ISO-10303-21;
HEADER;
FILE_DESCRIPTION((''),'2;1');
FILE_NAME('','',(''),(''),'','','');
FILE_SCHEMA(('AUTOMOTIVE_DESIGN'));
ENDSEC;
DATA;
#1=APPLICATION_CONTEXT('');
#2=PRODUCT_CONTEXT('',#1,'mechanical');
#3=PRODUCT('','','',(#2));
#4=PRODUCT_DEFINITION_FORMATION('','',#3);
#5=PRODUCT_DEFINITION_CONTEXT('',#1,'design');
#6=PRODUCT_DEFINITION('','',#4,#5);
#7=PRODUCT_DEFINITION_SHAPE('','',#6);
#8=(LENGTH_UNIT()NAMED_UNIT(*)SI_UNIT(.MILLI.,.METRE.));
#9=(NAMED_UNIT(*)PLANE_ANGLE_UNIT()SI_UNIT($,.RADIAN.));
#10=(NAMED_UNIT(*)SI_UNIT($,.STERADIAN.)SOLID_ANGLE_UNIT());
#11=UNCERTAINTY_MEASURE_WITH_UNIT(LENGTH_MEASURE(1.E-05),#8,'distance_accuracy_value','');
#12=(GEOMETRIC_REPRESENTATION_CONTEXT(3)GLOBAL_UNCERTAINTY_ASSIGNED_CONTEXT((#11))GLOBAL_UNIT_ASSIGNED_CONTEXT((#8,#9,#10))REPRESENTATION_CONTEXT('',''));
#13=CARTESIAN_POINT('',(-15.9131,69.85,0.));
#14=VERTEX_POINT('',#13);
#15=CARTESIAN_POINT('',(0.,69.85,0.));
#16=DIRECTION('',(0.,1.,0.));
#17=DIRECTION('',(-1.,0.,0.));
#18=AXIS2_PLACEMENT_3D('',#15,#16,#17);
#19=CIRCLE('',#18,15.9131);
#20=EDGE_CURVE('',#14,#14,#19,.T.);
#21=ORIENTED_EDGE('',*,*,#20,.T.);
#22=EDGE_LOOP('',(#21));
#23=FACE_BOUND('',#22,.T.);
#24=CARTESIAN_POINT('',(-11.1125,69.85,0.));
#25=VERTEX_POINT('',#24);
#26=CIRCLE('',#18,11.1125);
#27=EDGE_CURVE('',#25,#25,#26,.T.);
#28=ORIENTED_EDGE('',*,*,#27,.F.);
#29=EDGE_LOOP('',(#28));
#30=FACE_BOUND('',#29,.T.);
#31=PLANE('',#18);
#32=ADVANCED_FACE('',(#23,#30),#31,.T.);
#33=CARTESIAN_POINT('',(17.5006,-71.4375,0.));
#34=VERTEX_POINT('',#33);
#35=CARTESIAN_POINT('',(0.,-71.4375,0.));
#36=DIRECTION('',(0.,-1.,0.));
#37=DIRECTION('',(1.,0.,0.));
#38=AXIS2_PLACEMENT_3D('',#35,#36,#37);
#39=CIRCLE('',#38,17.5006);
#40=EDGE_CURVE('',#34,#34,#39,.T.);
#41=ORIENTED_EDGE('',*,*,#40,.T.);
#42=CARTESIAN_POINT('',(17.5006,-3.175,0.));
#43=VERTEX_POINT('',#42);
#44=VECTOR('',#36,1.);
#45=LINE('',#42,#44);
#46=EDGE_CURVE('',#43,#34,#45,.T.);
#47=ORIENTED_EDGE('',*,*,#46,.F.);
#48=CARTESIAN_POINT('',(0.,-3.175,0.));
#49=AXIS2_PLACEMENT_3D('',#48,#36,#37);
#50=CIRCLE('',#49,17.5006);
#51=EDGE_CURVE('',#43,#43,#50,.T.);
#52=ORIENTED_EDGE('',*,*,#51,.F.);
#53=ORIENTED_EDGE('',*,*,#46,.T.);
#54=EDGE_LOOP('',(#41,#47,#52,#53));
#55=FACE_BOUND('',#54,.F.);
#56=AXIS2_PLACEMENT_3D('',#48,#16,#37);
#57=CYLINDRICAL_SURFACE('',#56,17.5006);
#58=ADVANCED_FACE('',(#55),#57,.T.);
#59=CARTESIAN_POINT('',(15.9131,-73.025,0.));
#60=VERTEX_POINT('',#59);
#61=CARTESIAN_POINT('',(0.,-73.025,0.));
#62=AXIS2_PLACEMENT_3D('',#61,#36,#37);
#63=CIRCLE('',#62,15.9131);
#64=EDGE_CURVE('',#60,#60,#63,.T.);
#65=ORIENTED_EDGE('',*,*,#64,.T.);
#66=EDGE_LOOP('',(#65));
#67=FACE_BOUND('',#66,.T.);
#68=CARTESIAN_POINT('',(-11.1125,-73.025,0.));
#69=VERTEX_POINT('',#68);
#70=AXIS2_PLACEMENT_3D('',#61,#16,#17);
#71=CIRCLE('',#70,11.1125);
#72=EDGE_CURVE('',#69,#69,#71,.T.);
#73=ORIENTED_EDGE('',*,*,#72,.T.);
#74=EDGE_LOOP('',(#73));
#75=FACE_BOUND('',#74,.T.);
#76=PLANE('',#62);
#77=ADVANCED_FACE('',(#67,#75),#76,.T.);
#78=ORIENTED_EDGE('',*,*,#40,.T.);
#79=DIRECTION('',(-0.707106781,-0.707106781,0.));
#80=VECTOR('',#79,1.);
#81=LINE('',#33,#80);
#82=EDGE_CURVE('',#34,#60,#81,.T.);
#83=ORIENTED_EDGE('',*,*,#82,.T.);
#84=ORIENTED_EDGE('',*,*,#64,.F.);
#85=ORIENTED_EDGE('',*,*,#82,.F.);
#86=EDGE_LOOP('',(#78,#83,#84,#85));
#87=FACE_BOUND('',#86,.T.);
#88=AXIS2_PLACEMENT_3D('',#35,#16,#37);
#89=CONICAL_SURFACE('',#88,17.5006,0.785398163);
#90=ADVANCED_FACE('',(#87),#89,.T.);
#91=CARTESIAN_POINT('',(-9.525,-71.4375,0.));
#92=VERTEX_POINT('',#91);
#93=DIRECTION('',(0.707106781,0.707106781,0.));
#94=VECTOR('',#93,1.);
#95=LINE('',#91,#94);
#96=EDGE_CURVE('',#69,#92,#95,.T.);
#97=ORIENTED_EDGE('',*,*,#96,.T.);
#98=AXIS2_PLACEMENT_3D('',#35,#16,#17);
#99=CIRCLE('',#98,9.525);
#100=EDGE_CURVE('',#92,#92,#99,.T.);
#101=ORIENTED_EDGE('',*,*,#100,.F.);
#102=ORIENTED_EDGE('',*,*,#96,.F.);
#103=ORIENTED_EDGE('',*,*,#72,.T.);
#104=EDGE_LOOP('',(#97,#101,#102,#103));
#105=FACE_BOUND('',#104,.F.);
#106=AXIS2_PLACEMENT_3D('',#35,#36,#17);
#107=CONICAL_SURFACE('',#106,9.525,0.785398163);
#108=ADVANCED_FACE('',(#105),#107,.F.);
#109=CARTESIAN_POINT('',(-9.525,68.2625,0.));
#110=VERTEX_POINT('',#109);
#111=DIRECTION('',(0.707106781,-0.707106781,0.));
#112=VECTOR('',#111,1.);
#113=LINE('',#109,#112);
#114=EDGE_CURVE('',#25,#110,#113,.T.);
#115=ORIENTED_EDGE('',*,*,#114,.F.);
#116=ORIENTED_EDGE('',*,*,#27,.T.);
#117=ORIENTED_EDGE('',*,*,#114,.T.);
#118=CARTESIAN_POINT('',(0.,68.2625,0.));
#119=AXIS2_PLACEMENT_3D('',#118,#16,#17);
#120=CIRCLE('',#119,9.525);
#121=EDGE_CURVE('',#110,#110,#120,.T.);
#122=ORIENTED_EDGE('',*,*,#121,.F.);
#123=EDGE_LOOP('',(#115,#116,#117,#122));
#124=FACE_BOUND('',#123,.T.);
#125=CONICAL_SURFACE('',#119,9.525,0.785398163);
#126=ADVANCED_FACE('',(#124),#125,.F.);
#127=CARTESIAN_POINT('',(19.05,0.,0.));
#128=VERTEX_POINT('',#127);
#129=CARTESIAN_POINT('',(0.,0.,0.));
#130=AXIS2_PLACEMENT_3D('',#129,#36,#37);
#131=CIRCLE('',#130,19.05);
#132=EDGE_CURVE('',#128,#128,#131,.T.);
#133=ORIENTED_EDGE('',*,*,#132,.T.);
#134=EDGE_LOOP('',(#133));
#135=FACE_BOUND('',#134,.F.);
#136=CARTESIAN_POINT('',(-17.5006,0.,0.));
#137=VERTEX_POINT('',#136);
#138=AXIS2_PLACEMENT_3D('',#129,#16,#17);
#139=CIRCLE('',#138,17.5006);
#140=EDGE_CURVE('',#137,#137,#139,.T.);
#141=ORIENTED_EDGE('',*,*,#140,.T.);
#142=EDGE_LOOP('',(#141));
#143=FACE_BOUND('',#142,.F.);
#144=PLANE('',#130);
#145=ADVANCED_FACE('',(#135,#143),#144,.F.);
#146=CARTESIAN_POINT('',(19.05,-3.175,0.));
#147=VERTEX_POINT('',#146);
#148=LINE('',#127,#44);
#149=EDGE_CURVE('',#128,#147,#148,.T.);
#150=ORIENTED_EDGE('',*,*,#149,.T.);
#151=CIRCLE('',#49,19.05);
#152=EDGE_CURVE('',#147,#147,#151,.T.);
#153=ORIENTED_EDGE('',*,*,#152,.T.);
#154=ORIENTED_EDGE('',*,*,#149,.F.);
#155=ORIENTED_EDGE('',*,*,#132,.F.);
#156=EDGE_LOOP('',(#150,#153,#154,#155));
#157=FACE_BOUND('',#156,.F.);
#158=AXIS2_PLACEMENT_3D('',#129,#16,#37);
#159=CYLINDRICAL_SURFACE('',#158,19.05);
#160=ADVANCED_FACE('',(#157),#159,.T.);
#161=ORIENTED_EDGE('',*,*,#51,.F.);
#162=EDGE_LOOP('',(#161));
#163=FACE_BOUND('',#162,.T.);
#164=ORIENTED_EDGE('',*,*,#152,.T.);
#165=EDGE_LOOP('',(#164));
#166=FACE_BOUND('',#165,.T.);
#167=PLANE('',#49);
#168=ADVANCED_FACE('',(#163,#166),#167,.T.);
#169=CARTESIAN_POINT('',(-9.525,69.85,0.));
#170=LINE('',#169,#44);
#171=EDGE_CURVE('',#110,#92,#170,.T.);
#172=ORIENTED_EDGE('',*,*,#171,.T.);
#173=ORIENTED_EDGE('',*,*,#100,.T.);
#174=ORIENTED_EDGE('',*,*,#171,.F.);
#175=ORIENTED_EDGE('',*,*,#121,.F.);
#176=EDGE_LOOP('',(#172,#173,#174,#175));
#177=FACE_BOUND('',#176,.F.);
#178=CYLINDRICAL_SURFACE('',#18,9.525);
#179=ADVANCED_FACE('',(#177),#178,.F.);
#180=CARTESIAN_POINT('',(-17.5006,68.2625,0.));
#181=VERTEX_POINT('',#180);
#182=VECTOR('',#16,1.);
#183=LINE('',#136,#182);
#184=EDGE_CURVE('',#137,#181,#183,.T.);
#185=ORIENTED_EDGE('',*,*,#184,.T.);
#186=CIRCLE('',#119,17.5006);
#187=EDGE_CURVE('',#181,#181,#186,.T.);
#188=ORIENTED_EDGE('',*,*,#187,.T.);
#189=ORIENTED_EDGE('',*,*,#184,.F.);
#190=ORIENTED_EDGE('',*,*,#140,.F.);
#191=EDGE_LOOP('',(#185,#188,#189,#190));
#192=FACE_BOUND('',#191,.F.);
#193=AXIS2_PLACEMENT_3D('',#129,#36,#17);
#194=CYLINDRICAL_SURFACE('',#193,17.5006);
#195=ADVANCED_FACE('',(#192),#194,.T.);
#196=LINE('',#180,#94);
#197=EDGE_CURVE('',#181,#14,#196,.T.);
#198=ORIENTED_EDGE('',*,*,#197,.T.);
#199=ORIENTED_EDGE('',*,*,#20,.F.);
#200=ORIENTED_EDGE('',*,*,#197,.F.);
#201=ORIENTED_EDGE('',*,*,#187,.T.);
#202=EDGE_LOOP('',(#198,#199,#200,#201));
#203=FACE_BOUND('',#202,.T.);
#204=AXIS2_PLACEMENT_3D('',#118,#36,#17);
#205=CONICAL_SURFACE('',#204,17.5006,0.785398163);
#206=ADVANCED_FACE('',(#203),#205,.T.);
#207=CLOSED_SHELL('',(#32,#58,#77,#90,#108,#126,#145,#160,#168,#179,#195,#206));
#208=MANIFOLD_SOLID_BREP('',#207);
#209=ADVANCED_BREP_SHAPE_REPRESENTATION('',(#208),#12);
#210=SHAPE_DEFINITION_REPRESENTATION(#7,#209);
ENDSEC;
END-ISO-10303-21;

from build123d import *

# Parameters (mm, degrees)
F0_R     = 19.05
F1_DEPTH = 3.175
F2_R     = 17.5006
F3_DEPTH = 69.85
F4_R     = 17.5006
F5_DEPTH = 69.85
F6_R     = 9.525
F7_DEPTH = 142.876
F8_SIZE  = 1.5875


with BuildPart() as f1:
    # F0 (on Front) → F1 (new body)
    with BuildSketch(Plane.XZ):
        Circle(F0_R)
    extrude(amount=F1_DEPTH)

    # F2 (on face) → F3 (join)
    with BuildSketch(Plane.XZ.offset(3.175)):
        Circle(F2_R)
    extrude(amount=F3_DEPTH)

    # F4 (on face) → F5 (join)
    with BuildSketch(Plane(origin=(0, 0, 0), x_dir=(-1, 0, 0), z_dir=(0, 1, 0))):
        Circle(F4_R)
    extrude(amount=F5_DEPTH)

    # F6 (on face) → F7 (cut, through all)
    with BuildSketch(Plane(origin=(0, 69.85, 0), x_dir=(-1, 0, 0), z_dir=(0, 1, 0))):
        Circle(F6_R)
    extrude(amount=-F7_DEPTH, mode=Mode.SUBTRACT)

    # F8
    f8_edges = [f1.edges().sort_by_distance(p)[0] for p in [
        (-17.5006, -73.025, 0),
        (9.525, -73.025, 0),
        (9.525, 69.85, 0),
        (17.5006, 69.85, 0),
    ]]
    chamfer(f8_edges, length=F8_SIZE)


solid = f1.part
